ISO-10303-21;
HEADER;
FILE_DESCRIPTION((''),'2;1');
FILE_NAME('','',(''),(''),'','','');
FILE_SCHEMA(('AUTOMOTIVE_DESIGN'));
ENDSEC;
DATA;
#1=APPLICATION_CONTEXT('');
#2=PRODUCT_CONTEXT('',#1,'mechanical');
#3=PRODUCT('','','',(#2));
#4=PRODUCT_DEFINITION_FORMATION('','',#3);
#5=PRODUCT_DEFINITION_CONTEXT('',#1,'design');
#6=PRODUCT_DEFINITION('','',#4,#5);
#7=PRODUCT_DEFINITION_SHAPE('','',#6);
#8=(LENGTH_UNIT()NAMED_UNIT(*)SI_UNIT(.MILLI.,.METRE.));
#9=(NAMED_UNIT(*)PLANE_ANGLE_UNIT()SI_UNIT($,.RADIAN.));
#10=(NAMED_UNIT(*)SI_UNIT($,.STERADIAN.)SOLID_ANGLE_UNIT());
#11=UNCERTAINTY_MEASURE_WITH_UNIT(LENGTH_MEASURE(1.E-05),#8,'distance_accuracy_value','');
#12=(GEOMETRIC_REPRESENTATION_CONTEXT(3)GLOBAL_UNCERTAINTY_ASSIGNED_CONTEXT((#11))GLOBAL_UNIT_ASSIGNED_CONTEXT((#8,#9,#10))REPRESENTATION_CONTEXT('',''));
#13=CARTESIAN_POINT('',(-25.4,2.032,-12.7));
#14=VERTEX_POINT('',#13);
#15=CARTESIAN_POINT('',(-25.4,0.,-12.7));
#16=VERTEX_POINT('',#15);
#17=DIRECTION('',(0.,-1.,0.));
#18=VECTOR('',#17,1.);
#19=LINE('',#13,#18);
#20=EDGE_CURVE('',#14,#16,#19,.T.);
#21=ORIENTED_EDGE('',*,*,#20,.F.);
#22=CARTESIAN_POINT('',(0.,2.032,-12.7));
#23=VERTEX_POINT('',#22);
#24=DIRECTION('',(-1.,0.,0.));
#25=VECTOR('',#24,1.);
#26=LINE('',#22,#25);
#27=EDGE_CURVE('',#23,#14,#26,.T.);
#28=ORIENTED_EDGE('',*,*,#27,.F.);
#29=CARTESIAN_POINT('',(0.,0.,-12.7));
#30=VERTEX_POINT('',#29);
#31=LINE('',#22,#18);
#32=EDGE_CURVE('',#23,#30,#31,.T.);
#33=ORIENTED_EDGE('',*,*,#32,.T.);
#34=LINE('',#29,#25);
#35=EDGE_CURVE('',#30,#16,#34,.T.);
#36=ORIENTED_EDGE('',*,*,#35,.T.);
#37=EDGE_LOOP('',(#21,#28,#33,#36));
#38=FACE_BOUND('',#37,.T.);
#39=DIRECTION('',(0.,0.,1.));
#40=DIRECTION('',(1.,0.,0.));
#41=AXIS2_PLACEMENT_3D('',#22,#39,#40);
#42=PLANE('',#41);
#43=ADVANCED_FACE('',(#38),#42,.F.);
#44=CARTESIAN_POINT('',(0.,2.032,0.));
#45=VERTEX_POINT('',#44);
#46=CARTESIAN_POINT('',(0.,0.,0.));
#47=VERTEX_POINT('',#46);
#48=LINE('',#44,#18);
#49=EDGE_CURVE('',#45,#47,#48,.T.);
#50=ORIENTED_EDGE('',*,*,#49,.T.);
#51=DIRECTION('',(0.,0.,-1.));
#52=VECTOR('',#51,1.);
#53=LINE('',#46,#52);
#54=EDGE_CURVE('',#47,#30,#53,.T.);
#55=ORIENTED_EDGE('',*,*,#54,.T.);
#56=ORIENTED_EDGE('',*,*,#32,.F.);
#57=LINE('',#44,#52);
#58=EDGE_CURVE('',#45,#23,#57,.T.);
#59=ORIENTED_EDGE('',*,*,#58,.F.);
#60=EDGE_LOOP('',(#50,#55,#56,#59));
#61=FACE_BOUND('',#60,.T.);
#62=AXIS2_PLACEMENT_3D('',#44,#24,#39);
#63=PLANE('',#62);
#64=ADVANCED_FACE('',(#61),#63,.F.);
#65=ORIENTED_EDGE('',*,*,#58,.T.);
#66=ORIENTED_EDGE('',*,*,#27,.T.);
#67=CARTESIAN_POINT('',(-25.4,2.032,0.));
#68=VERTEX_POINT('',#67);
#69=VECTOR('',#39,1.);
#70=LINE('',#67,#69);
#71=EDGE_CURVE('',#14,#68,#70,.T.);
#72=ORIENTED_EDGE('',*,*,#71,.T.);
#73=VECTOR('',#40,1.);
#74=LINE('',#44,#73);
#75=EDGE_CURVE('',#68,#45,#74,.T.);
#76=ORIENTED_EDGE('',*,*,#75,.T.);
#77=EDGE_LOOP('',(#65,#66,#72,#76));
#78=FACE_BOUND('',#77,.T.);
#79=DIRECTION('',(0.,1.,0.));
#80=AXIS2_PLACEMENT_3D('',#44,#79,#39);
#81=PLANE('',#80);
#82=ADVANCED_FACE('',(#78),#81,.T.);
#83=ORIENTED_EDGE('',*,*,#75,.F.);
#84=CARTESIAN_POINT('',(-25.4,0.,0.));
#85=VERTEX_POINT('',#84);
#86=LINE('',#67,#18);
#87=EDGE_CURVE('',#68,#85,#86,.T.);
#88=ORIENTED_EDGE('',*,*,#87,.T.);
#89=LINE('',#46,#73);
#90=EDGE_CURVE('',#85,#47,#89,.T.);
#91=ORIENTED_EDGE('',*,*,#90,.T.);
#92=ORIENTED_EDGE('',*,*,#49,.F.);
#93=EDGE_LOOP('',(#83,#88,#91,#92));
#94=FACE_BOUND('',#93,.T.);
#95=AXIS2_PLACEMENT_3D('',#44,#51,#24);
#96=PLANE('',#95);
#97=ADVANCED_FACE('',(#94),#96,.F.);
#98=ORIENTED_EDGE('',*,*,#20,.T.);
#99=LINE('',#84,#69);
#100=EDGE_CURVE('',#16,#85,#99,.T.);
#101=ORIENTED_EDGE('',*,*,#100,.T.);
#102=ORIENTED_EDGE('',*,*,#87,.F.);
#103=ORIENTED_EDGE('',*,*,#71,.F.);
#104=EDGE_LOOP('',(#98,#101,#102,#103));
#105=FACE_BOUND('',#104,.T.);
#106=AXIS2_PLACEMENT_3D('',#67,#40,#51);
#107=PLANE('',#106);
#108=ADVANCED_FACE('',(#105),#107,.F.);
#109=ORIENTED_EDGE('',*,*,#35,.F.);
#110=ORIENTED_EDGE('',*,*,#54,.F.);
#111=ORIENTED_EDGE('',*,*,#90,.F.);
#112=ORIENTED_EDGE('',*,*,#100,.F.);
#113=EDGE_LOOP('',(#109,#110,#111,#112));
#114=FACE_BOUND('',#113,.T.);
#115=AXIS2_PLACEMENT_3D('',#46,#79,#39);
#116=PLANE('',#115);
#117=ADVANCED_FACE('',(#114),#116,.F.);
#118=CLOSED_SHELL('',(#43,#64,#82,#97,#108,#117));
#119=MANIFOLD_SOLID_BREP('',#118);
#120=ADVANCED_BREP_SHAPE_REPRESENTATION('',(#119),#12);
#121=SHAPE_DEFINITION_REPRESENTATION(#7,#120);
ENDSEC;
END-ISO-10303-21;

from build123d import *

# Parameters (mm, degrees)
SKETCH1_W           = 25.4
SKETCH1_H           = 12.7
BOSS_EXTRUDE1_DEPTH = 2.032


with BuildPart() as part:
    # Sketch1 → Boss-Extrude1 (new body)
    with BuildSketch(Plane(origin=(0, 0, 0), x_dir=(1, 0, 0), z_dir=(0, 1, 0))):
        with Locations((-12.7, 6.35)):
            Rectangle(SKETCH1_W, SKETCH1_H)
    extrude(amount=BOSS_EXTRUDE1_DEPTH)


solid = part.part
